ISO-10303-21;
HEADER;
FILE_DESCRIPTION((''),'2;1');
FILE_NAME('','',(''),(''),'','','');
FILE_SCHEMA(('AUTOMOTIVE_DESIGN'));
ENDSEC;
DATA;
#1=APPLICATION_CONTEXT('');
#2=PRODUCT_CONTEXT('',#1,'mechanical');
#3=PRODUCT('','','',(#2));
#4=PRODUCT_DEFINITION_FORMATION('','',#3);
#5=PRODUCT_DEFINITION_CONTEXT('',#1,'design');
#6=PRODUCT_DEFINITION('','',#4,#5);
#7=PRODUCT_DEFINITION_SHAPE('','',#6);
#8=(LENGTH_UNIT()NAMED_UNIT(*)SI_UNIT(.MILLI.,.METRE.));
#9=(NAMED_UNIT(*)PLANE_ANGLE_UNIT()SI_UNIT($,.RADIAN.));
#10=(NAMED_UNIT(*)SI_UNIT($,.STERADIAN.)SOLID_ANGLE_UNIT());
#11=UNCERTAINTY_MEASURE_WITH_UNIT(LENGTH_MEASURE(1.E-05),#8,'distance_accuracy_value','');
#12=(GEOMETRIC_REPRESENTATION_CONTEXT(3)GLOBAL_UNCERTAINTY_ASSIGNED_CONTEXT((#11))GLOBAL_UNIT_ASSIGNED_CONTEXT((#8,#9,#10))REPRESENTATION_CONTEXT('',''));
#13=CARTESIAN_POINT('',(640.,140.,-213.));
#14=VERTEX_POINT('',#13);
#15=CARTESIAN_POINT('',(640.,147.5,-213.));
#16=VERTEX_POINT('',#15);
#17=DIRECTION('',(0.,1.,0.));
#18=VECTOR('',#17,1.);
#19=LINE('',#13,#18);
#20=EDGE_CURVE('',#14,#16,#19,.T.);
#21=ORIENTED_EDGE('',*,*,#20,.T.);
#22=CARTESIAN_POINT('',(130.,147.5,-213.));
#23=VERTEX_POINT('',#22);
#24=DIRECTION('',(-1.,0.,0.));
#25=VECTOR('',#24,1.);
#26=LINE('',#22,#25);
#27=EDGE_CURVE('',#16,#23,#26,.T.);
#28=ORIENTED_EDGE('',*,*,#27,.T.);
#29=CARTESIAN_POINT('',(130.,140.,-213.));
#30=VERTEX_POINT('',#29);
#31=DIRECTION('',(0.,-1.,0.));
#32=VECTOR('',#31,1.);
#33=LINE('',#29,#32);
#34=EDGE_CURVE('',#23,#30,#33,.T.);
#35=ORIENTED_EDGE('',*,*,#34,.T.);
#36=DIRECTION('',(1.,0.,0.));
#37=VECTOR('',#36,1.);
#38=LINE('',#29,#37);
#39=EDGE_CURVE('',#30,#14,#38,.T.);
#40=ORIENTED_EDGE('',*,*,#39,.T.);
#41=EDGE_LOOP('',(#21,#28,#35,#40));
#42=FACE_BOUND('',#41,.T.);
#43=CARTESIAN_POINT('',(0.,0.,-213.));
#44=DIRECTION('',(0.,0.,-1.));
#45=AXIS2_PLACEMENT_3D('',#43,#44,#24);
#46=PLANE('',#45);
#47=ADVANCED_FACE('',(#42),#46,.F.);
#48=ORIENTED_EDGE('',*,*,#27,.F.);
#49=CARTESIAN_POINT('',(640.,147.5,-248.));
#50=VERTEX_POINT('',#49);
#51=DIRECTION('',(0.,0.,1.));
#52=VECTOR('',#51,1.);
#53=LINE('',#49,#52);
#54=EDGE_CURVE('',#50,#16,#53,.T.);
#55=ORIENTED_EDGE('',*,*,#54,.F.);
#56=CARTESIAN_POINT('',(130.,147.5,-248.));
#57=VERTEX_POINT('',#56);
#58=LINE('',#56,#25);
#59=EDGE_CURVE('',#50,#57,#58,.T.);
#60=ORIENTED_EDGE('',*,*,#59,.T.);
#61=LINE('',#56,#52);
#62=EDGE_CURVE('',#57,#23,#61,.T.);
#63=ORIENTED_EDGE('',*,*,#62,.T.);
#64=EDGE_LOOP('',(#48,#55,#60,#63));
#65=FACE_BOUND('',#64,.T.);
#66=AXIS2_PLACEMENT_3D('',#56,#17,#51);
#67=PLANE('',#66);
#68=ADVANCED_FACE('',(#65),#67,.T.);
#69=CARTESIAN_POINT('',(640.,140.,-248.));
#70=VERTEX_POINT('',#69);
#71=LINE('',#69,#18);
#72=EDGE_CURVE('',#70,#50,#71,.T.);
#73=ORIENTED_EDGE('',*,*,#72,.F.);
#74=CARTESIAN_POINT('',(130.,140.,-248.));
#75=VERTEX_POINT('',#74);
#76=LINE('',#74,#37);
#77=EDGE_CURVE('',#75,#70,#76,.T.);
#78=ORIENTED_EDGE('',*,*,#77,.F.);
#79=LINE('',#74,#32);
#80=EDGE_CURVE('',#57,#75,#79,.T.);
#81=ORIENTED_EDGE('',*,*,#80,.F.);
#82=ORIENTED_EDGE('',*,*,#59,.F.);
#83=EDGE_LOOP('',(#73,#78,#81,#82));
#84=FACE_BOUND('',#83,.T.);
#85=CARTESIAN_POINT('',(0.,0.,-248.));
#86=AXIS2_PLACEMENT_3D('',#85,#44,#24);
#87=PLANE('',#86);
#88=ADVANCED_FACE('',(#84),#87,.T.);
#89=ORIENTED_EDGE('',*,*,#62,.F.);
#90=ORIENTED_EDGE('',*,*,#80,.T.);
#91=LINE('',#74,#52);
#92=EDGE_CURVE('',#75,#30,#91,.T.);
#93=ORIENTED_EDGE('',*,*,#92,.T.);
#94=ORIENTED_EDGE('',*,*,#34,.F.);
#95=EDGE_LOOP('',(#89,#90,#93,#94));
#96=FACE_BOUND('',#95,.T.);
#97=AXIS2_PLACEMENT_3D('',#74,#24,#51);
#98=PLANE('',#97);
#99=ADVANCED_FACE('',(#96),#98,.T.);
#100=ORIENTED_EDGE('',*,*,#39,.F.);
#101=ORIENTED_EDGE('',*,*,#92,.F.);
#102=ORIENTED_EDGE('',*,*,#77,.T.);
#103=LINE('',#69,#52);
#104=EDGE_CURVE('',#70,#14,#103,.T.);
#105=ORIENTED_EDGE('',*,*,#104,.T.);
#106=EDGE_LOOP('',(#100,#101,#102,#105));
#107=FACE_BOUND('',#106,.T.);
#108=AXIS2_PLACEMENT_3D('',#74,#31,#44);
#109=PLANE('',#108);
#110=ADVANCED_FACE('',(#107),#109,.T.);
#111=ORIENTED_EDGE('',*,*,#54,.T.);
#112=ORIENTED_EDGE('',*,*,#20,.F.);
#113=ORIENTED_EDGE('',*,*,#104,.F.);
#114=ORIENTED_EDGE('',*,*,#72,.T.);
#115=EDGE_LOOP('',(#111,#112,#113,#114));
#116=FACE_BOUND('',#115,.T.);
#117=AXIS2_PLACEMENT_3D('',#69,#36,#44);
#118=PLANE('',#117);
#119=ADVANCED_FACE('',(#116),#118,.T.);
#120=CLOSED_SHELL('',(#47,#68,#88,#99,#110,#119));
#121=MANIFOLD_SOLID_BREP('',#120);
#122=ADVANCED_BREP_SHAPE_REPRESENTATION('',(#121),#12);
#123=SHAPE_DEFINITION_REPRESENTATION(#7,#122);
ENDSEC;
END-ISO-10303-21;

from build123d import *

# Parameters (mm, degrees)
OVEN_PANO_KLEMENS_RAYI_1_START = -213
SKETCH1_W                      = 510
SKETCH1_H                      = 7.5
OVEN_PANO_KLEMENS_RAYI_1_DEPTH = 35


with BuildPart() as part:
    # Sketch1 → OVEN_pano_klemens_rayi_1 (new body)
    with BuildSketch(Plane.XY.offset(OVEN_PANO_KLEMENS_RAYI_1_START)):
        with Locations((385, 143.75)):
            Rectangle(SKETCH1_W, SKETCH1_H)
    extrude(amount=-OVEN_PANO_KLEMENS_RAYI_1_DEPTH)


solid = part.part
